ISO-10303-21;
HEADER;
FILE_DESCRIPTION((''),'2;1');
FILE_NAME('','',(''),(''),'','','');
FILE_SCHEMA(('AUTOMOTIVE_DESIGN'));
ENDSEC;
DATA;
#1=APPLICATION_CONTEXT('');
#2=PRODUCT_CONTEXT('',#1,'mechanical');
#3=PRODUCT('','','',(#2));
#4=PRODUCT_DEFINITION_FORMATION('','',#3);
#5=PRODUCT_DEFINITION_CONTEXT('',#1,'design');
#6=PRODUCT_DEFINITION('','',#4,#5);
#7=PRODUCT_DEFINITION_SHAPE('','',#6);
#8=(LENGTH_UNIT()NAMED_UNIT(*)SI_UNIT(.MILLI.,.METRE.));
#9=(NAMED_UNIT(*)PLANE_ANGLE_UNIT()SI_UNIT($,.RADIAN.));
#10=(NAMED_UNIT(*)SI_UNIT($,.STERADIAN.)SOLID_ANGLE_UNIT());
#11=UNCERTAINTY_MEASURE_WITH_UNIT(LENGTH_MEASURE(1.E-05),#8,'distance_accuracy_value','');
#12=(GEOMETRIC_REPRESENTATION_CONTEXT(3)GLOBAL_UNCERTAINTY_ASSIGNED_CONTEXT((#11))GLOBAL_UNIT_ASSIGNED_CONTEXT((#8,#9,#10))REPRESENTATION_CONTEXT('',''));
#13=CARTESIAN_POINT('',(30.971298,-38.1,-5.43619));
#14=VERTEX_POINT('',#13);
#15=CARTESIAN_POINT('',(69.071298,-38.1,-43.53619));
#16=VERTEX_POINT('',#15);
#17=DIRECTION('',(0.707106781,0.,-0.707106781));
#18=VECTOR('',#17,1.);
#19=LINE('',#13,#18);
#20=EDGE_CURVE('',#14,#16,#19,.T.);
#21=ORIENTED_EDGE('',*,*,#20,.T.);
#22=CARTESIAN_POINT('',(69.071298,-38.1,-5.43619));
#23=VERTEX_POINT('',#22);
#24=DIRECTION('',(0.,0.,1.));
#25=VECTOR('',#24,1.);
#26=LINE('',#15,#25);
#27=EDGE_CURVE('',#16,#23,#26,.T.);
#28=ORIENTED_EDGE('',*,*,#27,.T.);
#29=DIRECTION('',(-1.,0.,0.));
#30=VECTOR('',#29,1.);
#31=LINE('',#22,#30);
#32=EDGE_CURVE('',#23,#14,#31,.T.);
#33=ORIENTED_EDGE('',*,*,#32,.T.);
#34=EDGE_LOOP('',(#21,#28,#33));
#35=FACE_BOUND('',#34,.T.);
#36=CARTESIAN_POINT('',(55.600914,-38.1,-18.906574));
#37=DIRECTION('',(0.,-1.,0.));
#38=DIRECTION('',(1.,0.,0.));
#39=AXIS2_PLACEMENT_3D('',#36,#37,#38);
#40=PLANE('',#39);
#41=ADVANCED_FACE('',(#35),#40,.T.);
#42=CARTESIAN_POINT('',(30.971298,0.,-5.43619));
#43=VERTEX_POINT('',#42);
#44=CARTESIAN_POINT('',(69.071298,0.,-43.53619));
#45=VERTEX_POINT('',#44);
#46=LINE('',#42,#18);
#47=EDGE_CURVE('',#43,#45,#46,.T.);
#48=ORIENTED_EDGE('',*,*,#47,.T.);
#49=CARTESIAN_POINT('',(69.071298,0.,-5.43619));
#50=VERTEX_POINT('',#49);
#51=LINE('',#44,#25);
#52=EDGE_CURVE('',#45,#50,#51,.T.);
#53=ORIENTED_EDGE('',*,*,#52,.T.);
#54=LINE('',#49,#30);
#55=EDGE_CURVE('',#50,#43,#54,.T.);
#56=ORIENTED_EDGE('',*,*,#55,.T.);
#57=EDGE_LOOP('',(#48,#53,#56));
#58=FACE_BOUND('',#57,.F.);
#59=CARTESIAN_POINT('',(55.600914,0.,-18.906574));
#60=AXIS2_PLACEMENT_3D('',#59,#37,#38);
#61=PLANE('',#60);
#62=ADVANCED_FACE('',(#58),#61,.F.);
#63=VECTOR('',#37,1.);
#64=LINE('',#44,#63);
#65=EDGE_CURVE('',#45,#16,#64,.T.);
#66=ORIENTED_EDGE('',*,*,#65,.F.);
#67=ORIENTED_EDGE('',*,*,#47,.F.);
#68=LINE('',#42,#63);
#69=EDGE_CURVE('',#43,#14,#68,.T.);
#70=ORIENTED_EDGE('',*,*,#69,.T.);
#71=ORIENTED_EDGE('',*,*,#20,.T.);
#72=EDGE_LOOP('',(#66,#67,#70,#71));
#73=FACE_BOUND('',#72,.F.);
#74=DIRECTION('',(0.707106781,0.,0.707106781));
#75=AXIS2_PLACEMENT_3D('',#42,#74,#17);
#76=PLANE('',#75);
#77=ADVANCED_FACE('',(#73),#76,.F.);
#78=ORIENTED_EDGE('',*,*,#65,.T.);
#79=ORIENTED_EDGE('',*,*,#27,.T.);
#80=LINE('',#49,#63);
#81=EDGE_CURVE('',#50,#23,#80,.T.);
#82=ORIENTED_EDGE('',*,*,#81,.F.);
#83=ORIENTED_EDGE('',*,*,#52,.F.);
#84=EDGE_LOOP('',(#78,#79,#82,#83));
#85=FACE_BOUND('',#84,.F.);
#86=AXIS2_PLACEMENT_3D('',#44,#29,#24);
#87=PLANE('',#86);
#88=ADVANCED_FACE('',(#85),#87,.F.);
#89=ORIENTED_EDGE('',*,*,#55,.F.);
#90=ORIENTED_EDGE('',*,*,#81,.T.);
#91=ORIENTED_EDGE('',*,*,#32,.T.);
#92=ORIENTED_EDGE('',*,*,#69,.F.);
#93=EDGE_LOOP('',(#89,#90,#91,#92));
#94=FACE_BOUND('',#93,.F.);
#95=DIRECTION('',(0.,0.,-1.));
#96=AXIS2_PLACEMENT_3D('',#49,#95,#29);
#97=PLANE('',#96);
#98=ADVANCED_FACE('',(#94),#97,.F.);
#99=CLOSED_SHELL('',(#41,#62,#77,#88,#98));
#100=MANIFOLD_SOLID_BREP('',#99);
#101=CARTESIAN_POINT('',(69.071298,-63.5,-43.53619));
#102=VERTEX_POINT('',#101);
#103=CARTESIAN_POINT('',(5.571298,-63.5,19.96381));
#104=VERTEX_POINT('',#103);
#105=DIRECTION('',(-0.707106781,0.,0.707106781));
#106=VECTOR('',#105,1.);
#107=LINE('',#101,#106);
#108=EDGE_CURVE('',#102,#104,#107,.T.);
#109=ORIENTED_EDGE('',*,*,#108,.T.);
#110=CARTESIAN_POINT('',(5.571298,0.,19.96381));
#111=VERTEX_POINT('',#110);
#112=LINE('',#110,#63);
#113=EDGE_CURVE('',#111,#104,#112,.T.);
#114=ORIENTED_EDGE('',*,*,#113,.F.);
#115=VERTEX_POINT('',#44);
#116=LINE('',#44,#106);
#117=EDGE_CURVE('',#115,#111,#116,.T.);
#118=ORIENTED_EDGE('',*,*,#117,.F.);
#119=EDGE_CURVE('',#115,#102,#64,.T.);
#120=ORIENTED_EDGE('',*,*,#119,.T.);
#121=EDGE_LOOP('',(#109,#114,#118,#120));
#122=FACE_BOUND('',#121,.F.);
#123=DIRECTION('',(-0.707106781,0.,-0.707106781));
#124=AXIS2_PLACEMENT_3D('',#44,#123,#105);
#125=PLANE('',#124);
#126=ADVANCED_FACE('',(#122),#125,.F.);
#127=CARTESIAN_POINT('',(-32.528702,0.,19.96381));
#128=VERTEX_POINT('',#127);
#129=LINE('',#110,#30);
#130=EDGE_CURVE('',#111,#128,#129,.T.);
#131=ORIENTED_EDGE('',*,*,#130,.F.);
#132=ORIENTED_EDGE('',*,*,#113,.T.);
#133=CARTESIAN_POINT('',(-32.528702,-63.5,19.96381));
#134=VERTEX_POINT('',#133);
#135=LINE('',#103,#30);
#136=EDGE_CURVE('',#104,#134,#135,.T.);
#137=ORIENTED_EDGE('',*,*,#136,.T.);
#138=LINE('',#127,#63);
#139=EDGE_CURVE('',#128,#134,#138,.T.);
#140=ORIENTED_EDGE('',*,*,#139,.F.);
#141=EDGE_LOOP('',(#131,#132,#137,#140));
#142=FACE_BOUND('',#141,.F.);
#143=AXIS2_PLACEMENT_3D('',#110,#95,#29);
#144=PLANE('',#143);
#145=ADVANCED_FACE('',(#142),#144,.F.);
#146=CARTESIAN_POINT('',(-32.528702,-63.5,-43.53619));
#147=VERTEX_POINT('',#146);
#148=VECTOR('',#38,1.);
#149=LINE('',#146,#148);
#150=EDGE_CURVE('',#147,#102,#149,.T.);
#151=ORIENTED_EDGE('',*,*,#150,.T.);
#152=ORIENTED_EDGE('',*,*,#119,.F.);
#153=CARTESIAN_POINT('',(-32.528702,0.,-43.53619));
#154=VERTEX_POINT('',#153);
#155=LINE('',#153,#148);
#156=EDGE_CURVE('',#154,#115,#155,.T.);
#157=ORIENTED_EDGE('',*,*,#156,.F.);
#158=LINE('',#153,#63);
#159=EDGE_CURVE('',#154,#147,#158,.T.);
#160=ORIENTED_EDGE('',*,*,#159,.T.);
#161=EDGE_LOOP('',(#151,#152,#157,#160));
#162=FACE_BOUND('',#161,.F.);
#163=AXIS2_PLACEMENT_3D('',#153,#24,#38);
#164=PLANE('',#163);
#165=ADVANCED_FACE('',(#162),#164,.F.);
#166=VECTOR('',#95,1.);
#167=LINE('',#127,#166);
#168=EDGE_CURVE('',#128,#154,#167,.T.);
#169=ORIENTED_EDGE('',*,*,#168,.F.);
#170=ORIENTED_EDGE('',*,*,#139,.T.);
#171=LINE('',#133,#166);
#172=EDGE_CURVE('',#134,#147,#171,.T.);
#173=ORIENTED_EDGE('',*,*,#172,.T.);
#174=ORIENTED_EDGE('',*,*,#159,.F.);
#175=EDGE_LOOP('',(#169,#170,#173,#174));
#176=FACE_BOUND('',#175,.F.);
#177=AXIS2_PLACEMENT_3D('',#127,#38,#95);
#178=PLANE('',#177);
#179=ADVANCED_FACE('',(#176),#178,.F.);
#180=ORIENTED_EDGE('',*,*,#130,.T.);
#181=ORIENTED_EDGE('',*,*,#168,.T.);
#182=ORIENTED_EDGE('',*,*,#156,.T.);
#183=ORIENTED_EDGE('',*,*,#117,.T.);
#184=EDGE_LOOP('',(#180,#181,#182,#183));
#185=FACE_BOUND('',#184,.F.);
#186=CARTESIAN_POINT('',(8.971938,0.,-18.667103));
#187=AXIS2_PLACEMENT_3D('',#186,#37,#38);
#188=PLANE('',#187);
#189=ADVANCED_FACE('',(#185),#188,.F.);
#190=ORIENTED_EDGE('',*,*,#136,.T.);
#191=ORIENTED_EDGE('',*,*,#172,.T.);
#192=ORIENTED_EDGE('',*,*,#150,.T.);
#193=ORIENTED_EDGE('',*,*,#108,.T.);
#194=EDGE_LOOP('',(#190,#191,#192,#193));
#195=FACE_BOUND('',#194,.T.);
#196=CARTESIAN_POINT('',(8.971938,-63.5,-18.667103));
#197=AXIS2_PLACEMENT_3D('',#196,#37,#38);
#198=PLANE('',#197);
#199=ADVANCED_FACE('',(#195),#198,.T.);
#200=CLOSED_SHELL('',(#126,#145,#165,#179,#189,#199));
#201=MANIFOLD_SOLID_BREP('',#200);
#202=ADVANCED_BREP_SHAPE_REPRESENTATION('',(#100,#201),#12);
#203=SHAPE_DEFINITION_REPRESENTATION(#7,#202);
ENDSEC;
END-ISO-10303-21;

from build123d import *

# Parameters (mm, degrees)
F1_DEPTH = 63.5
F2_DEPTH = 38.1


with BuildPart() as f1:
    # F0 (on Front) → F1 (new body)
    with BuildSketch(Plane.XZ):
        Polygon((-32.528702, 19.96381), (-32.528702, -43.53619), (69.071298, -43.53619), (30.971298, -5.43619), (5.571298, 19.96381), align=None)
    extrude(amount=F1_DEPTH)


with BuildPart() as f2:
    # F0 (on Front) → F2 (new body)
    with BuildSketch(Plane.XZ):
        Polygon((30.971298, -5.43619), (69.071298, -43.53619), (69.071298, -5.43619), align=None)
    extrude(amount=F2_DEPTH)


solid = Compound([f1.part, f2.part])
